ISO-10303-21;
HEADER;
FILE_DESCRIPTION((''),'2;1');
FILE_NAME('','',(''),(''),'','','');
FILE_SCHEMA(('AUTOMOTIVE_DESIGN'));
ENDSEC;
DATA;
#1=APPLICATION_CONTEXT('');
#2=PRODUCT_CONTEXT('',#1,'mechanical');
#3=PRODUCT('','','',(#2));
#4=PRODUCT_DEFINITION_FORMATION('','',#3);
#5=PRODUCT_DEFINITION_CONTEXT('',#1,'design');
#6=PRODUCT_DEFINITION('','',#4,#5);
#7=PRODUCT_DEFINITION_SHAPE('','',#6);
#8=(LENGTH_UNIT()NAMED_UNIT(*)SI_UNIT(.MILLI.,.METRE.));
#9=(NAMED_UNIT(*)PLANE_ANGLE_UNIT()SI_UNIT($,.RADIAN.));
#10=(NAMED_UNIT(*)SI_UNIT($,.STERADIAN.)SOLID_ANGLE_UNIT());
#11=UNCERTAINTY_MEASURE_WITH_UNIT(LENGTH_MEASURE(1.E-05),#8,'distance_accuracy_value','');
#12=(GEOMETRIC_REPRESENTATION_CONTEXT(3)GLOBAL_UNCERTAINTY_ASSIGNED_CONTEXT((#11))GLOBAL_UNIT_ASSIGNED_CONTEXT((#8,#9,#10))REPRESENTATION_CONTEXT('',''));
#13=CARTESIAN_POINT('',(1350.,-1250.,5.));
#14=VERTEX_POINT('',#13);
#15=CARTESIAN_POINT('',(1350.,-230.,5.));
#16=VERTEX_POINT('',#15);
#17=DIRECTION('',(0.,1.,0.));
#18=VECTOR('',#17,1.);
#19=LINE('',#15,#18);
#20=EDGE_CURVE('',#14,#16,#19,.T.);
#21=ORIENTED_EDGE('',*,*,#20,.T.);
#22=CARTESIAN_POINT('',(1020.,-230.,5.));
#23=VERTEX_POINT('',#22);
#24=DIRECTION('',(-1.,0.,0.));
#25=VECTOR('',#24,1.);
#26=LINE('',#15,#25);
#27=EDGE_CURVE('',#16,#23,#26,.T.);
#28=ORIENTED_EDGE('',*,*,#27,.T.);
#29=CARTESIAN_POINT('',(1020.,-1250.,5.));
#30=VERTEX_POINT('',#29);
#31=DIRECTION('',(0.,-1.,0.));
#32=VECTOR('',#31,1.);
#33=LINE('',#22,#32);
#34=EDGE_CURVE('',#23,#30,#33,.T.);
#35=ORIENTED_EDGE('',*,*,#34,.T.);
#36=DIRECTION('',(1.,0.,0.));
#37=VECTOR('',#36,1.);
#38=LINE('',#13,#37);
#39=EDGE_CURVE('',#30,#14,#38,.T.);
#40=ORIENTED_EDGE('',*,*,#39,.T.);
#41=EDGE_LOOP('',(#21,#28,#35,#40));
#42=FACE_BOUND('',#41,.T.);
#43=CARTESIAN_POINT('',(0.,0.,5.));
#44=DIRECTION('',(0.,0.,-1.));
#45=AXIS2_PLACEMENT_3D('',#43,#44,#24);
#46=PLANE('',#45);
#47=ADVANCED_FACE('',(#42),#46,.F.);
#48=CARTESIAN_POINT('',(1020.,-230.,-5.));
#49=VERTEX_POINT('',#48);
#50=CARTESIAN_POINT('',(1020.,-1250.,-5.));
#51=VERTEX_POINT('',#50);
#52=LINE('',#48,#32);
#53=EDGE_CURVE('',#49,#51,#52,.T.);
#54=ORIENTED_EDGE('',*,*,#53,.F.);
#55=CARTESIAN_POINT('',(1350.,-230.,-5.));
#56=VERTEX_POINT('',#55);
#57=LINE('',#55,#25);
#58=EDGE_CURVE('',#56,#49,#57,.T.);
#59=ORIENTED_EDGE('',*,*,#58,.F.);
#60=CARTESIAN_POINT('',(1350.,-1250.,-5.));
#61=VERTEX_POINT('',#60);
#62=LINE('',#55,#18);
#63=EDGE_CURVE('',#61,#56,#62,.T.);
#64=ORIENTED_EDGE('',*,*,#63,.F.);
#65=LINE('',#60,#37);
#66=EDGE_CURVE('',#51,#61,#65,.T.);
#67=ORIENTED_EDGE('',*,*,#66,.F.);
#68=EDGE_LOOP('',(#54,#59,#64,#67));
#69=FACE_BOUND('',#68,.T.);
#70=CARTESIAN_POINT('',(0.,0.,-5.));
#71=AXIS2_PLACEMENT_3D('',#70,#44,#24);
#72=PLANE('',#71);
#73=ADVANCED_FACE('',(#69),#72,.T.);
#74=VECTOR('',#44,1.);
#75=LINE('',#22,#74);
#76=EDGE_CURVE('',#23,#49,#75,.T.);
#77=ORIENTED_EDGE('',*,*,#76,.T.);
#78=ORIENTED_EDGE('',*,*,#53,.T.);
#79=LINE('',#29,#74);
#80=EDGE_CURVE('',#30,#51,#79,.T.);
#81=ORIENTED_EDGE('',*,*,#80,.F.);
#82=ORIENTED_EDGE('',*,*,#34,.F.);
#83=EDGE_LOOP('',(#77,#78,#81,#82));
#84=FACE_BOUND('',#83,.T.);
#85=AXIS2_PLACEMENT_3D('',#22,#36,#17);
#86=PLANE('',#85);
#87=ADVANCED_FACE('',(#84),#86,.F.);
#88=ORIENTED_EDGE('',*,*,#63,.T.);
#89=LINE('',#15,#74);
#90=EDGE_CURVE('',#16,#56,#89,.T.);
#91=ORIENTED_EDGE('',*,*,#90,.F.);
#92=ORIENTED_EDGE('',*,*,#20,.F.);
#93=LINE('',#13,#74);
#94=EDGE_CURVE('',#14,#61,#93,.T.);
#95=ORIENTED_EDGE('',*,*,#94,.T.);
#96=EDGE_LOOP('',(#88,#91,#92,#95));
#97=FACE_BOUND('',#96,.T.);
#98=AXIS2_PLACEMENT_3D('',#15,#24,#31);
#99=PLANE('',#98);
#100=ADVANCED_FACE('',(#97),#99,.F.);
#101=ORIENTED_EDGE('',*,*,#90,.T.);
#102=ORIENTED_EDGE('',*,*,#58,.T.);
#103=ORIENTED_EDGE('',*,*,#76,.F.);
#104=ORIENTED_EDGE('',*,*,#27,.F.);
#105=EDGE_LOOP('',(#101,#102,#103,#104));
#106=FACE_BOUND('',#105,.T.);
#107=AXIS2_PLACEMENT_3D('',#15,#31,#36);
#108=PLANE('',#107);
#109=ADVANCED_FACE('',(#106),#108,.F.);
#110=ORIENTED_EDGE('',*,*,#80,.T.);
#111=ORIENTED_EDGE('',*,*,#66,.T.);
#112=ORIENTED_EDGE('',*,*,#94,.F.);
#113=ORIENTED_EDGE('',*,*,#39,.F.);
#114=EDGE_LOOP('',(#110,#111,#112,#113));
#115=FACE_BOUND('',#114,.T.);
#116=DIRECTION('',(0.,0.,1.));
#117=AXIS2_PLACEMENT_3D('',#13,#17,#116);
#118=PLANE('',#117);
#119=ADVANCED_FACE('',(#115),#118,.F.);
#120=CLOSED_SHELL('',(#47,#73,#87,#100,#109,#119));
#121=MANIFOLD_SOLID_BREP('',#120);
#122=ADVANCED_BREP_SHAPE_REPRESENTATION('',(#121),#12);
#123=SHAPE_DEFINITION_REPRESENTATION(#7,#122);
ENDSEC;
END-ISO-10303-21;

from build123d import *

# Parameters (mm, degrees)
SKETCH1_W           = 330
SKETCH1_H           = 1020
BOSS_EXTRUDE1_DEPTH = 5


with BuildPart() as part:
    # Sketch1 → Boss-Extrude1 (new, symmetric)
    with BuildSketch(Plane.XY):
        with Locations((1185, -740)):
            Rectangle(SKETCH1_W, SKETCH1_H)
    extrude(amount=BOSS_EXTRUDE1_DEPTH, both=True)


solid = part.part
